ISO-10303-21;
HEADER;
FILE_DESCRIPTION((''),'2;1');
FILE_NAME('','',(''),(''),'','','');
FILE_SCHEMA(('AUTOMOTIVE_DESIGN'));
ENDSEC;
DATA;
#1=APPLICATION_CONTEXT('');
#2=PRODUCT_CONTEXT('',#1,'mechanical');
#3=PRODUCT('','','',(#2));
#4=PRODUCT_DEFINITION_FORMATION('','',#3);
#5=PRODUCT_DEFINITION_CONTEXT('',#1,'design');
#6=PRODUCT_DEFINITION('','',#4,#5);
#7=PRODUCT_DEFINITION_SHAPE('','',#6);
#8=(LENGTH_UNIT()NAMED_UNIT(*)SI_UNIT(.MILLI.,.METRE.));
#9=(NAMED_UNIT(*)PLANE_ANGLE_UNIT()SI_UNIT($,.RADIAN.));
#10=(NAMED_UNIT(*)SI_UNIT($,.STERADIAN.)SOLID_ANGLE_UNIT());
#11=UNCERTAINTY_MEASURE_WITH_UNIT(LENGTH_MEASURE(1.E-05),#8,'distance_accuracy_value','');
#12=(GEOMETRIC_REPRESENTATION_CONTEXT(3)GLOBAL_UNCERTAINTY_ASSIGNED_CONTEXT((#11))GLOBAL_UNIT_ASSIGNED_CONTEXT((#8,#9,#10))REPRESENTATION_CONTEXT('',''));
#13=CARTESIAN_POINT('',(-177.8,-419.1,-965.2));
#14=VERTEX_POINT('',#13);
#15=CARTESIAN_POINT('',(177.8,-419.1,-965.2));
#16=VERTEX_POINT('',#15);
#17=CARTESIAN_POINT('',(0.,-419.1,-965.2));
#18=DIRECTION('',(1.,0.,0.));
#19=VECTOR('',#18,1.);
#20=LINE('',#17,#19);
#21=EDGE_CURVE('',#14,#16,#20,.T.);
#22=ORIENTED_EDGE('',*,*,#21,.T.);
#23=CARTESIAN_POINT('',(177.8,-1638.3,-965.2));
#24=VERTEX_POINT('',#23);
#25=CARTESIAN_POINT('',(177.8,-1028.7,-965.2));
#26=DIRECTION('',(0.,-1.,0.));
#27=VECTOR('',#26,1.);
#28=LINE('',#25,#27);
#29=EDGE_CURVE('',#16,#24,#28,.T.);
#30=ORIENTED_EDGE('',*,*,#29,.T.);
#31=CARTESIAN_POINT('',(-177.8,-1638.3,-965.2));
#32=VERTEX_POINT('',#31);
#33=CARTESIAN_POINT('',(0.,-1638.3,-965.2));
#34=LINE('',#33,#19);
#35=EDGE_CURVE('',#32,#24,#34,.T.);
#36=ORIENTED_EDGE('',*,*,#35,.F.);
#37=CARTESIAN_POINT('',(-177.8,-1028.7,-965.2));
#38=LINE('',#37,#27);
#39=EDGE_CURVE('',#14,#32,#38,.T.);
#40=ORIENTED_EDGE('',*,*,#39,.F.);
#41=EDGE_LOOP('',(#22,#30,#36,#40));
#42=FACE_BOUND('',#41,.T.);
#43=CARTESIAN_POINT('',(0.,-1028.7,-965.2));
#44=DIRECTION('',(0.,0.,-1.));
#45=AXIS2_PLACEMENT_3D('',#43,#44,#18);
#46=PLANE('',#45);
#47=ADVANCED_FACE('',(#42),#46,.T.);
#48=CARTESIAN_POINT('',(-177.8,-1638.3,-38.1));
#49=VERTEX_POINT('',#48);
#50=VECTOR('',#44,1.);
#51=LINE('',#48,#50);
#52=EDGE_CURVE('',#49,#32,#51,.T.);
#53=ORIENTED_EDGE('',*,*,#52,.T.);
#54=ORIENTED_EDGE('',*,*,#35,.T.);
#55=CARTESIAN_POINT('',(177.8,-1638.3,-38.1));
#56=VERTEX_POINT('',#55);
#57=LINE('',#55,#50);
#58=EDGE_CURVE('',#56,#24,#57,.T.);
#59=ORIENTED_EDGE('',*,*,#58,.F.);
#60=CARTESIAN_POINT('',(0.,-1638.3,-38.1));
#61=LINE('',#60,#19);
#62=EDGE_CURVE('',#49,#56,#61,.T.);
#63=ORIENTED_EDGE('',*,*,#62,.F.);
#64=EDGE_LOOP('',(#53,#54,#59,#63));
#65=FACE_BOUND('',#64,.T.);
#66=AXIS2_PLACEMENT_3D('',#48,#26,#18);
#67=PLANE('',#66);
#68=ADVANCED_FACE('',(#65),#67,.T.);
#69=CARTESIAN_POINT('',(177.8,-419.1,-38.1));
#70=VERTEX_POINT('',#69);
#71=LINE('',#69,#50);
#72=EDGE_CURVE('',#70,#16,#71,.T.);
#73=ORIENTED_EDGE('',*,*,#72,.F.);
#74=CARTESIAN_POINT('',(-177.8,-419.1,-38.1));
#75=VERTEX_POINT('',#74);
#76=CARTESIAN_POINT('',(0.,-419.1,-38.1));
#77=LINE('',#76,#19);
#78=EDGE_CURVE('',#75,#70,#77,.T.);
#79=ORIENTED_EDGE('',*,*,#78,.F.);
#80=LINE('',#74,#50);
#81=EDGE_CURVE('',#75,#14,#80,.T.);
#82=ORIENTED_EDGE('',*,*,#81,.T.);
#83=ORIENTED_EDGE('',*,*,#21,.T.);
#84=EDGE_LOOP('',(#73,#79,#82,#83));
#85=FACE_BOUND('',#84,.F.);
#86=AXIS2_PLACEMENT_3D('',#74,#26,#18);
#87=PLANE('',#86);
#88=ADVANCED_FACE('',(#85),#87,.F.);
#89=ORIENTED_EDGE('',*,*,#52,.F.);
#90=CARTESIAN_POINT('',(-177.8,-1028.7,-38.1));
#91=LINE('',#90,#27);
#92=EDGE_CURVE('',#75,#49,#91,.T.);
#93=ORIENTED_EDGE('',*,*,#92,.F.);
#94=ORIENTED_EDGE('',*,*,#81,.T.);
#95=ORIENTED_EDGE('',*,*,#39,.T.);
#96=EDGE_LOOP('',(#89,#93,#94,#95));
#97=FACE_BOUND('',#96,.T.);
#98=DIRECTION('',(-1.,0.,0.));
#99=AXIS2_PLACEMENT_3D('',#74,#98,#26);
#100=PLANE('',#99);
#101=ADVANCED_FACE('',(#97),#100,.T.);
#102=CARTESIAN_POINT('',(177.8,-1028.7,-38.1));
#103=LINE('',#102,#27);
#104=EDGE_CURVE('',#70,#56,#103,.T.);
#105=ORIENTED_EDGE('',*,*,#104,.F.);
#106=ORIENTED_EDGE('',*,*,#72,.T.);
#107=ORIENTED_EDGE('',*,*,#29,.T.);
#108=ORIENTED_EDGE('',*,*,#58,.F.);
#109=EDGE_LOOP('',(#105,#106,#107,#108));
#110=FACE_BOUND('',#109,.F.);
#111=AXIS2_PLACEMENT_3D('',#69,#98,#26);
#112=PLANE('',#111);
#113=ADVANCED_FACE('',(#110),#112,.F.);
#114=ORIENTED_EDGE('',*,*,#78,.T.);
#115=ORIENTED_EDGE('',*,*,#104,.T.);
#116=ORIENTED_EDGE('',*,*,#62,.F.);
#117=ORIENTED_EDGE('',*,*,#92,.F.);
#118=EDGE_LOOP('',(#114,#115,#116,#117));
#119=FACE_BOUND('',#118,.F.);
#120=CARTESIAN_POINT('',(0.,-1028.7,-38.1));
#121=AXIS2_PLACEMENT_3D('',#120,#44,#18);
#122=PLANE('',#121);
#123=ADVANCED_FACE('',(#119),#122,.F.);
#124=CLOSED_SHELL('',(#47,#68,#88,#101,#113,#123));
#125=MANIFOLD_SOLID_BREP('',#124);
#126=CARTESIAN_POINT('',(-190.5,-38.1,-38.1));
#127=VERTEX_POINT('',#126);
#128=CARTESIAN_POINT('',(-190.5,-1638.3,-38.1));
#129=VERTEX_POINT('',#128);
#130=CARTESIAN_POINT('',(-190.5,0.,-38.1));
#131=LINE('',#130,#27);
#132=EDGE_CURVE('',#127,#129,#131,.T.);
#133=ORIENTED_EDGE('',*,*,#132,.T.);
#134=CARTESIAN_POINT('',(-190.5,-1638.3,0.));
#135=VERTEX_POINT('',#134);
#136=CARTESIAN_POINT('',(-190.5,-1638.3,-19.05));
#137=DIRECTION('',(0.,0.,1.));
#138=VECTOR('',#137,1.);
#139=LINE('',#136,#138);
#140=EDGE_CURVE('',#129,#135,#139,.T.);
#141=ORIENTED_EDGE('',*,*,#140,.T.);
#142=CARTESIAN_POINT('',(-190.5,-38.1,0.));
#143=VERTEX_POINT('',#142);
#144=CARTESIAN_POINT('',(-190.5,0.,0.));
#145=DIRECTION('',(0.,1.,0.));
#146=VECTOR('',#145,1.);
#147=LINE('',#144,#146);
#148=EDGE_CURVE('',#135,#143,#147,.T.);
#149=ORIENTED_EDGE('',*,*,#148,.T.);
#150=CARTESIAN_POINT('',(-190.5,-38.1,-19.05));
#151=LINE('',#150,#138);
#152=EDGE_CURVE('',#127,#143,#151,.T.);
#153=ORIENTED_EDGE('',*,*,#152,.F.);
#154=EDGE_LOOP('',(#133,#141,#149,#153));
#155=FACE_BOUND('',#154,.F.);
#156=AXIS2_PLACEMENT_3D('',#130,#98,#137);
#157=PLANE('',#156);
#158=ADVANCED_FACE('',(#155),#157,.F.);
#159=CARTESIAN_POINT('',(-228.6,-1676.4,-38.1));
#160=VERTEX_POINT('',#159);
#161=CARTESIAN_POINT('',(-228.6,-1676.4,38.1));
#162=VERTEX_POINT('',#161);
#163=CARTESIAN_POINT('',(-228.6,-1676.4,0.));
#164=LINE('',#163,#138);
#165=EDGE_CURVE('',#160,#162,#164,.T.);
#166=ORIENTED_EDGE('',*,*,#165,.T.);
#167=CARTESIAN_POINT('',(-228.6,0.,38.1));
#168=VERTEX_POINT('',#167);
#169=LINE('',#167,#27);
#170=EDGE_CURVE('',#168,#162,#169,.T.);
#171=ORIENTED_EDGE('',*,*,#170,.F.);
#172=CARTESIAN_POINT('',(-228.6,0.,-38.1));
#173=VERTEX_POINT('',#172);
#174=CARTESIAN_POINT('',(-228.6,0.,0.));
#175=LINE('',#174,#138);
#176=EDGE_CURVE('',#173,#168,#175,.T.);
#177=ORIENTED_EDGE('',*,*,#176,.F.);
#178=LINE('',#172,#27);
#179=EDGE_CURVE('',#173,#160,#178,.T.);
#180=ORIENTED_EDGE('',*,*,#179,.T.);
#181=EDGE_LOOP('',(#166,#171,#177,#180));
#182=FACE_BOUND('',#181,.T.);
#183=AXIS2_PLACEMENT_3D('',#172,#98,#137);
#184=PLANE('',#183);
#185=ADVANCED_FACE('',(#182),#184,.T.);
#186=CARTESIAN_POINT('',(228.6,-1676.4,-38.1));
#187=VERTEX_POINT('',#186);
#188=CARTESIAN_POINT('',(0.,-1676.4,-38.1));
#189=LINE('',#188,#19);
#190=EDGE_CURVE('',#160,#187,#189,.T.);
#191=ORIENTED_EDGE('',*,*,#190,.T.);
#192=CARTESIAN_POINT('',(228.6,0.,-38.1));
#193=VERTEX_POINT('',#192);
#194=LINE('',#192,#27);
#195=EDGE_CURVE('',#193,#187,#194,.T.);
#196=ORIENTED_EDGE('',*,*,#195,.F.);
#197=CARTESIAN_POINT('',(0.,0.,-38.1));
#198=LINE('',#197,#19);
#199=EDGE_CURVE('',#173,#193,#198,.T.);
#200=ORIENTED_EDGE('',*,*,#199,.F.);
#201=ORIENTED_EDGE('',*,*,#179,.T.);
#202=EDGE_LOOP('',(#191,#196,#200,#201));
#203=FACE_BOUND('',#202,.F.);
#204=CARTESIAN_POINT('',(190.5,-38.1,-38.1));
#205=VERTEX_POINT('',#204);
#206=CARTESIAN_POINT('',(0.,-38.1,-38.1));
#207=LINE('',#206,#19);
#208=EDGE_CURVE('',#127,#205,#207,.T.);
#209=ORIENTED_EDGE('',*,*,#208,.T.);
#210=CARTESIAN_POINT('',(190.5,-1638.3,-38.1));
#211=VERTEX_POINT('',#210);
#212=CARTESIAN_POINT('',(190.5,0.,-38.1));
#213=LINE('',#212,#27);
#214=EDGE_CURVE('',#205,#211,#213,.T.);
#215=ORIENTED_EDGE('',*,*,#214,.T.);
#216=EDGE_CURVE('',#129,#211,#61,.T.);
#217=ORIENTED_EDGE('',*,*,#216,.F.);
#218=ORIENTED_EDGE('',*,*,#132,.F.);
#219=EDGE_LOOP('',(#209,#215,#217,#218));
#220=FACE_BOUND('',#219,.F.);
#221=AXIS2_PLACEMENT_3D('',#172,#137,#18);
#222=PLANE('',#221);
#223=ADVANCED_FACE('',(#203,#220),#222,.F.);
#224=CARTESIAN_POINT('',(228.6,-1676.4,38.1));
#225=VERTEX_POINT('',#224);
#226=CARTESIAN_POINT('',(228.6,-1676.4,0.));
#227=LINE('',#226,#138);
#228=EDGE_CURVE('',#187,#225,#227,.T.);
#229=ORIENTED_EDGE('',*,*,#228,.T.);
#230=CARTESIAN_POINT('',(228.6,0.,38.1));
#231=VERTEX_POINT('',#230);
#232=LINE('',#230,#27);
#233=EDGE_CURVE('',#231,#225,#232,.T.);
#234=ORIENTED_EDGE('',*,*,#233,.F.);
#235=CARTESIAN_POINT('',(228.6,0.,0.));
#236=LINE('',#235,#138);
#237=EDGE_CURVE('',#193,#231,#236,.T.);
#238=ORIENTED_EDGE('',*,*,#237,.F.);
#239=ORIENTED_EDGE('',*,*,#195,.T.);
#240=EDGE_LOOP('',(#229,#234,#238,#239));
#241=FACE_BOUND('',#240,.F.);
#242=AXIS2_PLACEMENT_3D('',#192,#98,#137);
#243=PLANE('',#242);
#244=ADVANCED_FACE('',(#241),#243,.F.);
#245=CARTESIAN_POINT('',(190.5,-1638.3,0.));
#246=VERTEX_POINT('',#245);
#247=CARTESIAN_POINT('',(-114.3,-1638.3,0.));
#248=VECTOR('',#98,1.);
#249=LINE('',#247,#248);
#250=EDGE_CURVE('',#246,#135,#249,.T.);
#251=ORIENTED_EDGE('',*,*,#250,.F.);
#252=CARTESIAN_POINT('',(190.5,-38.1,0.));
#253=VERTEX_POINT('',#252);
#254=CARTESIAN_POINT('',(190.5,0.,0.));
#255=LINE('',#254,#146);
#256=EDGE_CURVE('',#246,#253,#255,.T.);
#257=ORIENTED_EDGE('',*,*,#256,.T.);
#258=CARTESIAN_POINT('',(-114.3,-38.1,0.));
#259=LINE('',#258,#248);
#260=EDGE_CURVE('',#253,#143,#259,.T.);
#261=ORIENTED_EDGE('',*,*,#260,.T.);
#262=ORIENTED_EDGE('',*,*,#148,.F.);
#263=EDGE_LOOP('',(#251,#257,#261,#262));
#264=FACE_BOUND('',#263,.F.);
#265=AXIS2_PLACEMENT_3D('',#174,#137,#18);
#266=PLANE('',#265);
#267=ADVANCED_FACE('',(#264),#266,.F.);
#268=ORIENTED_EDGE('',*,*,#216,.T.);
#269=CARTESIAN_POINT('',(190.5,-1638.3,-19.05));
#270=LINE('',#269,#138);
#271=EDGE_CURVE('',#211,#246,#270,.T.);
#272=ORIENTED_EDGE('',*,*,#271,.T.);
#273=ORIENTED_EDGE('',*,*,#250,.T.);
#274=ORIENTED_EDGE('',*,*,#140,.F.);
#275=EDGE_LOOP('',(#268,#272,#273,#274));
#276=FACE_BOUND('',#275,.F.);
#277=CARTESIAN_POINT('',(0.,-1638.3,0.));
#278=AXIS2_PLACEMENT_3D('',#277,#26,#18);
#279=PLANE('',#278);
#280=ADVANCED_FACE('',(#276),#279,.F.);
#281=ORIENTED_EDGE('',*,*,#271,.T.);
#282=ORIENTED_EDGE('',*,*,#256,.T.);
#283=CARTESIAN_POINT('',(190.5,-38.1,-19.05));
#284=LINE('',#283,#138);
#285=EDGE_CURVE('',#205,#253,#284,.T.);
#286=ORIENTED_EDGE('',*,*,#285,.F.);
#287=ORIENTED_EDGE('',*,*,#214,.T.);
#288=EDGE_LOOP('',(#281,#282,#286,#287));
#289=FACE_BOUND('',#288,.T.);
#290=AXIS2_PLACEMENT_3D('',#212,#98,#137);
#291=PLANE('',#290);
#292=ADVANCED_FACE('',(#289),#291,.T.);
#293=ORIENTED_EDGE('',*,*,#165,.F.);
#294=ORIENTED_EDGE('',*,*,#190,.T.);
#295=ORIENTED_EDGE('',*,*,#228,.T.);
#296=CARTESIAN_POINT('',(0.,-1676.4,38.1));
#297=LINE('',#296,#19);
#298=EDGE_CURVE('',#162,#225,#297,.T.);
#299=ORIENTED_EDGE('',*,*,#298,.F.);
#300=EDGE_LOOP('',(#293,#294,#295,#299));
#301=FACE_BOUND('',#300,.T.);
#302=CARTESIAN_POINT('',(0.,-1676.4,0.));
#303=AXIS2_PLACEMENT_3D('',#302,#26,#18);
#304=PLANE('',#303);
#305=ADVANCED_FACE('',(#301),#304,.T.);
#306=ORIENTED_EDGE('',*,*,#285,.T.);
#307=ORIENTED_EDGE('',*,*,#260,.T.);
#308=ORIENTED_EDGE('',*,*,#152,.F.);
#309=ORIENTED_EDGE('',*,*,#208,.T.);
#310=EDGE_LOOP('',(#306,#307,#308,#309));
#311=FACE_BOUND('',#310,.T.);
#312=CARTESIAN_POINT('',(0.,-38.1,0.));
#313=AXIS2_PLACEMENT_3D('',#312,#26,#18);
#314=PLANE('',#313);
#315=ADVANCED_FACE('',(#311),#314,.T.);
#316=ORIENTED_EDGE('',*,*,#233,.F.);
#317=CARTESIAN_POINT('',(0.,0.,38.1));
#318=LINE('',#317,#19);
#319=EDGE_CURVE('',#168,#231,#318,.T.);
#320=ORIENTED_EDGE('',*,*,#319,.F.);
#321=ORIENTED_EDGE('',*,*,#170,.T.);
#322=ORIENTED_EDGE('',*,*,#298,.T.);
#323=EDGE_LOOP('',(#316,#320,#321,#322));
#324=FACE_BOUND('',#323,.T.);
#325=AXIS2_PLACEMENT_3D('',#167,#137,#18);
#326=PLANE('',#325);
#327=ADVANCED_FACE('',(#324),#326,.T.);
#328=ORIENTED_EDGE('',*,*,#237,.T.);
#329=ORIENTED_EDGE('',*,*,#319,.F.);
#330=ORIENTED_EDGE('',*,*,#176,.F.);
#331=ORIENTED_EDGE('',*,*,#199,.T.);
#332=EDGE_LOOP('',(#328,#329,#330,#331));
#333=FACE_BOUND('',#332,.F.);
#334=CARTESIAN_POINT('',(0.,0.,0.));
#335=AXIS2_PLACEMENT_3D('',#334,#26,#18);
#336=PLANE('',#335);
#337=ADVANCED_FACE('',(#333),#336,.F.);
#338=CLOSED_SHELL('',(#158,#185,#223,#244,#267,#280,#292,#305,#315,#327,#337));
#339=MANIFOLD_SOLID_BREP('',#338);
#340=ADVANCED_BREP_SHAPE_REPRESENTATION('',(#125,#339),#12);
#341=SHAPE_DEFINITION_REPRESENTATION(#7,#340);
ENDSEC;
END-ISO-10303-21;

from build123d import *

# Parameters (mm, degrees)
F0_W     = 457.2
F0_H     = 76.2
F1_DEPTH = 1676.4
F3_T     = -38.1
F4_W     = 355.6
F4_H     = 1219.2
F5_DEPTH = 927.1


with BuildPart() as f1:
    # F0 (on Front) → F1 (new body)
    with BuildSketch(Plane.XZ):
        Rectangle(F0_W, F0_H)
    extrude(amount=F1_DEPTH)

    # F3
    f3_openings = [f1.faces().sort_by_distance(p)[0] for p in [
        (0, -838.2, -38.1),
    ]]
    offset(amount=F3_T, openings=f3_openings)


with BuildPart() as f5:
    # F4 (on face) → F5 (new body)
    with BuildSketch(Plane(origin=(0, 0, -38.1), x_dir=(1, 0, 0), z_dir=(0, 0, -1))):
        with Locations((0, 1028.7)):
            Rectangle(F4_W, F4_H)
    extrude(amount=F5_DEPTH)


solid = Compound([f1.part, f5.part])
